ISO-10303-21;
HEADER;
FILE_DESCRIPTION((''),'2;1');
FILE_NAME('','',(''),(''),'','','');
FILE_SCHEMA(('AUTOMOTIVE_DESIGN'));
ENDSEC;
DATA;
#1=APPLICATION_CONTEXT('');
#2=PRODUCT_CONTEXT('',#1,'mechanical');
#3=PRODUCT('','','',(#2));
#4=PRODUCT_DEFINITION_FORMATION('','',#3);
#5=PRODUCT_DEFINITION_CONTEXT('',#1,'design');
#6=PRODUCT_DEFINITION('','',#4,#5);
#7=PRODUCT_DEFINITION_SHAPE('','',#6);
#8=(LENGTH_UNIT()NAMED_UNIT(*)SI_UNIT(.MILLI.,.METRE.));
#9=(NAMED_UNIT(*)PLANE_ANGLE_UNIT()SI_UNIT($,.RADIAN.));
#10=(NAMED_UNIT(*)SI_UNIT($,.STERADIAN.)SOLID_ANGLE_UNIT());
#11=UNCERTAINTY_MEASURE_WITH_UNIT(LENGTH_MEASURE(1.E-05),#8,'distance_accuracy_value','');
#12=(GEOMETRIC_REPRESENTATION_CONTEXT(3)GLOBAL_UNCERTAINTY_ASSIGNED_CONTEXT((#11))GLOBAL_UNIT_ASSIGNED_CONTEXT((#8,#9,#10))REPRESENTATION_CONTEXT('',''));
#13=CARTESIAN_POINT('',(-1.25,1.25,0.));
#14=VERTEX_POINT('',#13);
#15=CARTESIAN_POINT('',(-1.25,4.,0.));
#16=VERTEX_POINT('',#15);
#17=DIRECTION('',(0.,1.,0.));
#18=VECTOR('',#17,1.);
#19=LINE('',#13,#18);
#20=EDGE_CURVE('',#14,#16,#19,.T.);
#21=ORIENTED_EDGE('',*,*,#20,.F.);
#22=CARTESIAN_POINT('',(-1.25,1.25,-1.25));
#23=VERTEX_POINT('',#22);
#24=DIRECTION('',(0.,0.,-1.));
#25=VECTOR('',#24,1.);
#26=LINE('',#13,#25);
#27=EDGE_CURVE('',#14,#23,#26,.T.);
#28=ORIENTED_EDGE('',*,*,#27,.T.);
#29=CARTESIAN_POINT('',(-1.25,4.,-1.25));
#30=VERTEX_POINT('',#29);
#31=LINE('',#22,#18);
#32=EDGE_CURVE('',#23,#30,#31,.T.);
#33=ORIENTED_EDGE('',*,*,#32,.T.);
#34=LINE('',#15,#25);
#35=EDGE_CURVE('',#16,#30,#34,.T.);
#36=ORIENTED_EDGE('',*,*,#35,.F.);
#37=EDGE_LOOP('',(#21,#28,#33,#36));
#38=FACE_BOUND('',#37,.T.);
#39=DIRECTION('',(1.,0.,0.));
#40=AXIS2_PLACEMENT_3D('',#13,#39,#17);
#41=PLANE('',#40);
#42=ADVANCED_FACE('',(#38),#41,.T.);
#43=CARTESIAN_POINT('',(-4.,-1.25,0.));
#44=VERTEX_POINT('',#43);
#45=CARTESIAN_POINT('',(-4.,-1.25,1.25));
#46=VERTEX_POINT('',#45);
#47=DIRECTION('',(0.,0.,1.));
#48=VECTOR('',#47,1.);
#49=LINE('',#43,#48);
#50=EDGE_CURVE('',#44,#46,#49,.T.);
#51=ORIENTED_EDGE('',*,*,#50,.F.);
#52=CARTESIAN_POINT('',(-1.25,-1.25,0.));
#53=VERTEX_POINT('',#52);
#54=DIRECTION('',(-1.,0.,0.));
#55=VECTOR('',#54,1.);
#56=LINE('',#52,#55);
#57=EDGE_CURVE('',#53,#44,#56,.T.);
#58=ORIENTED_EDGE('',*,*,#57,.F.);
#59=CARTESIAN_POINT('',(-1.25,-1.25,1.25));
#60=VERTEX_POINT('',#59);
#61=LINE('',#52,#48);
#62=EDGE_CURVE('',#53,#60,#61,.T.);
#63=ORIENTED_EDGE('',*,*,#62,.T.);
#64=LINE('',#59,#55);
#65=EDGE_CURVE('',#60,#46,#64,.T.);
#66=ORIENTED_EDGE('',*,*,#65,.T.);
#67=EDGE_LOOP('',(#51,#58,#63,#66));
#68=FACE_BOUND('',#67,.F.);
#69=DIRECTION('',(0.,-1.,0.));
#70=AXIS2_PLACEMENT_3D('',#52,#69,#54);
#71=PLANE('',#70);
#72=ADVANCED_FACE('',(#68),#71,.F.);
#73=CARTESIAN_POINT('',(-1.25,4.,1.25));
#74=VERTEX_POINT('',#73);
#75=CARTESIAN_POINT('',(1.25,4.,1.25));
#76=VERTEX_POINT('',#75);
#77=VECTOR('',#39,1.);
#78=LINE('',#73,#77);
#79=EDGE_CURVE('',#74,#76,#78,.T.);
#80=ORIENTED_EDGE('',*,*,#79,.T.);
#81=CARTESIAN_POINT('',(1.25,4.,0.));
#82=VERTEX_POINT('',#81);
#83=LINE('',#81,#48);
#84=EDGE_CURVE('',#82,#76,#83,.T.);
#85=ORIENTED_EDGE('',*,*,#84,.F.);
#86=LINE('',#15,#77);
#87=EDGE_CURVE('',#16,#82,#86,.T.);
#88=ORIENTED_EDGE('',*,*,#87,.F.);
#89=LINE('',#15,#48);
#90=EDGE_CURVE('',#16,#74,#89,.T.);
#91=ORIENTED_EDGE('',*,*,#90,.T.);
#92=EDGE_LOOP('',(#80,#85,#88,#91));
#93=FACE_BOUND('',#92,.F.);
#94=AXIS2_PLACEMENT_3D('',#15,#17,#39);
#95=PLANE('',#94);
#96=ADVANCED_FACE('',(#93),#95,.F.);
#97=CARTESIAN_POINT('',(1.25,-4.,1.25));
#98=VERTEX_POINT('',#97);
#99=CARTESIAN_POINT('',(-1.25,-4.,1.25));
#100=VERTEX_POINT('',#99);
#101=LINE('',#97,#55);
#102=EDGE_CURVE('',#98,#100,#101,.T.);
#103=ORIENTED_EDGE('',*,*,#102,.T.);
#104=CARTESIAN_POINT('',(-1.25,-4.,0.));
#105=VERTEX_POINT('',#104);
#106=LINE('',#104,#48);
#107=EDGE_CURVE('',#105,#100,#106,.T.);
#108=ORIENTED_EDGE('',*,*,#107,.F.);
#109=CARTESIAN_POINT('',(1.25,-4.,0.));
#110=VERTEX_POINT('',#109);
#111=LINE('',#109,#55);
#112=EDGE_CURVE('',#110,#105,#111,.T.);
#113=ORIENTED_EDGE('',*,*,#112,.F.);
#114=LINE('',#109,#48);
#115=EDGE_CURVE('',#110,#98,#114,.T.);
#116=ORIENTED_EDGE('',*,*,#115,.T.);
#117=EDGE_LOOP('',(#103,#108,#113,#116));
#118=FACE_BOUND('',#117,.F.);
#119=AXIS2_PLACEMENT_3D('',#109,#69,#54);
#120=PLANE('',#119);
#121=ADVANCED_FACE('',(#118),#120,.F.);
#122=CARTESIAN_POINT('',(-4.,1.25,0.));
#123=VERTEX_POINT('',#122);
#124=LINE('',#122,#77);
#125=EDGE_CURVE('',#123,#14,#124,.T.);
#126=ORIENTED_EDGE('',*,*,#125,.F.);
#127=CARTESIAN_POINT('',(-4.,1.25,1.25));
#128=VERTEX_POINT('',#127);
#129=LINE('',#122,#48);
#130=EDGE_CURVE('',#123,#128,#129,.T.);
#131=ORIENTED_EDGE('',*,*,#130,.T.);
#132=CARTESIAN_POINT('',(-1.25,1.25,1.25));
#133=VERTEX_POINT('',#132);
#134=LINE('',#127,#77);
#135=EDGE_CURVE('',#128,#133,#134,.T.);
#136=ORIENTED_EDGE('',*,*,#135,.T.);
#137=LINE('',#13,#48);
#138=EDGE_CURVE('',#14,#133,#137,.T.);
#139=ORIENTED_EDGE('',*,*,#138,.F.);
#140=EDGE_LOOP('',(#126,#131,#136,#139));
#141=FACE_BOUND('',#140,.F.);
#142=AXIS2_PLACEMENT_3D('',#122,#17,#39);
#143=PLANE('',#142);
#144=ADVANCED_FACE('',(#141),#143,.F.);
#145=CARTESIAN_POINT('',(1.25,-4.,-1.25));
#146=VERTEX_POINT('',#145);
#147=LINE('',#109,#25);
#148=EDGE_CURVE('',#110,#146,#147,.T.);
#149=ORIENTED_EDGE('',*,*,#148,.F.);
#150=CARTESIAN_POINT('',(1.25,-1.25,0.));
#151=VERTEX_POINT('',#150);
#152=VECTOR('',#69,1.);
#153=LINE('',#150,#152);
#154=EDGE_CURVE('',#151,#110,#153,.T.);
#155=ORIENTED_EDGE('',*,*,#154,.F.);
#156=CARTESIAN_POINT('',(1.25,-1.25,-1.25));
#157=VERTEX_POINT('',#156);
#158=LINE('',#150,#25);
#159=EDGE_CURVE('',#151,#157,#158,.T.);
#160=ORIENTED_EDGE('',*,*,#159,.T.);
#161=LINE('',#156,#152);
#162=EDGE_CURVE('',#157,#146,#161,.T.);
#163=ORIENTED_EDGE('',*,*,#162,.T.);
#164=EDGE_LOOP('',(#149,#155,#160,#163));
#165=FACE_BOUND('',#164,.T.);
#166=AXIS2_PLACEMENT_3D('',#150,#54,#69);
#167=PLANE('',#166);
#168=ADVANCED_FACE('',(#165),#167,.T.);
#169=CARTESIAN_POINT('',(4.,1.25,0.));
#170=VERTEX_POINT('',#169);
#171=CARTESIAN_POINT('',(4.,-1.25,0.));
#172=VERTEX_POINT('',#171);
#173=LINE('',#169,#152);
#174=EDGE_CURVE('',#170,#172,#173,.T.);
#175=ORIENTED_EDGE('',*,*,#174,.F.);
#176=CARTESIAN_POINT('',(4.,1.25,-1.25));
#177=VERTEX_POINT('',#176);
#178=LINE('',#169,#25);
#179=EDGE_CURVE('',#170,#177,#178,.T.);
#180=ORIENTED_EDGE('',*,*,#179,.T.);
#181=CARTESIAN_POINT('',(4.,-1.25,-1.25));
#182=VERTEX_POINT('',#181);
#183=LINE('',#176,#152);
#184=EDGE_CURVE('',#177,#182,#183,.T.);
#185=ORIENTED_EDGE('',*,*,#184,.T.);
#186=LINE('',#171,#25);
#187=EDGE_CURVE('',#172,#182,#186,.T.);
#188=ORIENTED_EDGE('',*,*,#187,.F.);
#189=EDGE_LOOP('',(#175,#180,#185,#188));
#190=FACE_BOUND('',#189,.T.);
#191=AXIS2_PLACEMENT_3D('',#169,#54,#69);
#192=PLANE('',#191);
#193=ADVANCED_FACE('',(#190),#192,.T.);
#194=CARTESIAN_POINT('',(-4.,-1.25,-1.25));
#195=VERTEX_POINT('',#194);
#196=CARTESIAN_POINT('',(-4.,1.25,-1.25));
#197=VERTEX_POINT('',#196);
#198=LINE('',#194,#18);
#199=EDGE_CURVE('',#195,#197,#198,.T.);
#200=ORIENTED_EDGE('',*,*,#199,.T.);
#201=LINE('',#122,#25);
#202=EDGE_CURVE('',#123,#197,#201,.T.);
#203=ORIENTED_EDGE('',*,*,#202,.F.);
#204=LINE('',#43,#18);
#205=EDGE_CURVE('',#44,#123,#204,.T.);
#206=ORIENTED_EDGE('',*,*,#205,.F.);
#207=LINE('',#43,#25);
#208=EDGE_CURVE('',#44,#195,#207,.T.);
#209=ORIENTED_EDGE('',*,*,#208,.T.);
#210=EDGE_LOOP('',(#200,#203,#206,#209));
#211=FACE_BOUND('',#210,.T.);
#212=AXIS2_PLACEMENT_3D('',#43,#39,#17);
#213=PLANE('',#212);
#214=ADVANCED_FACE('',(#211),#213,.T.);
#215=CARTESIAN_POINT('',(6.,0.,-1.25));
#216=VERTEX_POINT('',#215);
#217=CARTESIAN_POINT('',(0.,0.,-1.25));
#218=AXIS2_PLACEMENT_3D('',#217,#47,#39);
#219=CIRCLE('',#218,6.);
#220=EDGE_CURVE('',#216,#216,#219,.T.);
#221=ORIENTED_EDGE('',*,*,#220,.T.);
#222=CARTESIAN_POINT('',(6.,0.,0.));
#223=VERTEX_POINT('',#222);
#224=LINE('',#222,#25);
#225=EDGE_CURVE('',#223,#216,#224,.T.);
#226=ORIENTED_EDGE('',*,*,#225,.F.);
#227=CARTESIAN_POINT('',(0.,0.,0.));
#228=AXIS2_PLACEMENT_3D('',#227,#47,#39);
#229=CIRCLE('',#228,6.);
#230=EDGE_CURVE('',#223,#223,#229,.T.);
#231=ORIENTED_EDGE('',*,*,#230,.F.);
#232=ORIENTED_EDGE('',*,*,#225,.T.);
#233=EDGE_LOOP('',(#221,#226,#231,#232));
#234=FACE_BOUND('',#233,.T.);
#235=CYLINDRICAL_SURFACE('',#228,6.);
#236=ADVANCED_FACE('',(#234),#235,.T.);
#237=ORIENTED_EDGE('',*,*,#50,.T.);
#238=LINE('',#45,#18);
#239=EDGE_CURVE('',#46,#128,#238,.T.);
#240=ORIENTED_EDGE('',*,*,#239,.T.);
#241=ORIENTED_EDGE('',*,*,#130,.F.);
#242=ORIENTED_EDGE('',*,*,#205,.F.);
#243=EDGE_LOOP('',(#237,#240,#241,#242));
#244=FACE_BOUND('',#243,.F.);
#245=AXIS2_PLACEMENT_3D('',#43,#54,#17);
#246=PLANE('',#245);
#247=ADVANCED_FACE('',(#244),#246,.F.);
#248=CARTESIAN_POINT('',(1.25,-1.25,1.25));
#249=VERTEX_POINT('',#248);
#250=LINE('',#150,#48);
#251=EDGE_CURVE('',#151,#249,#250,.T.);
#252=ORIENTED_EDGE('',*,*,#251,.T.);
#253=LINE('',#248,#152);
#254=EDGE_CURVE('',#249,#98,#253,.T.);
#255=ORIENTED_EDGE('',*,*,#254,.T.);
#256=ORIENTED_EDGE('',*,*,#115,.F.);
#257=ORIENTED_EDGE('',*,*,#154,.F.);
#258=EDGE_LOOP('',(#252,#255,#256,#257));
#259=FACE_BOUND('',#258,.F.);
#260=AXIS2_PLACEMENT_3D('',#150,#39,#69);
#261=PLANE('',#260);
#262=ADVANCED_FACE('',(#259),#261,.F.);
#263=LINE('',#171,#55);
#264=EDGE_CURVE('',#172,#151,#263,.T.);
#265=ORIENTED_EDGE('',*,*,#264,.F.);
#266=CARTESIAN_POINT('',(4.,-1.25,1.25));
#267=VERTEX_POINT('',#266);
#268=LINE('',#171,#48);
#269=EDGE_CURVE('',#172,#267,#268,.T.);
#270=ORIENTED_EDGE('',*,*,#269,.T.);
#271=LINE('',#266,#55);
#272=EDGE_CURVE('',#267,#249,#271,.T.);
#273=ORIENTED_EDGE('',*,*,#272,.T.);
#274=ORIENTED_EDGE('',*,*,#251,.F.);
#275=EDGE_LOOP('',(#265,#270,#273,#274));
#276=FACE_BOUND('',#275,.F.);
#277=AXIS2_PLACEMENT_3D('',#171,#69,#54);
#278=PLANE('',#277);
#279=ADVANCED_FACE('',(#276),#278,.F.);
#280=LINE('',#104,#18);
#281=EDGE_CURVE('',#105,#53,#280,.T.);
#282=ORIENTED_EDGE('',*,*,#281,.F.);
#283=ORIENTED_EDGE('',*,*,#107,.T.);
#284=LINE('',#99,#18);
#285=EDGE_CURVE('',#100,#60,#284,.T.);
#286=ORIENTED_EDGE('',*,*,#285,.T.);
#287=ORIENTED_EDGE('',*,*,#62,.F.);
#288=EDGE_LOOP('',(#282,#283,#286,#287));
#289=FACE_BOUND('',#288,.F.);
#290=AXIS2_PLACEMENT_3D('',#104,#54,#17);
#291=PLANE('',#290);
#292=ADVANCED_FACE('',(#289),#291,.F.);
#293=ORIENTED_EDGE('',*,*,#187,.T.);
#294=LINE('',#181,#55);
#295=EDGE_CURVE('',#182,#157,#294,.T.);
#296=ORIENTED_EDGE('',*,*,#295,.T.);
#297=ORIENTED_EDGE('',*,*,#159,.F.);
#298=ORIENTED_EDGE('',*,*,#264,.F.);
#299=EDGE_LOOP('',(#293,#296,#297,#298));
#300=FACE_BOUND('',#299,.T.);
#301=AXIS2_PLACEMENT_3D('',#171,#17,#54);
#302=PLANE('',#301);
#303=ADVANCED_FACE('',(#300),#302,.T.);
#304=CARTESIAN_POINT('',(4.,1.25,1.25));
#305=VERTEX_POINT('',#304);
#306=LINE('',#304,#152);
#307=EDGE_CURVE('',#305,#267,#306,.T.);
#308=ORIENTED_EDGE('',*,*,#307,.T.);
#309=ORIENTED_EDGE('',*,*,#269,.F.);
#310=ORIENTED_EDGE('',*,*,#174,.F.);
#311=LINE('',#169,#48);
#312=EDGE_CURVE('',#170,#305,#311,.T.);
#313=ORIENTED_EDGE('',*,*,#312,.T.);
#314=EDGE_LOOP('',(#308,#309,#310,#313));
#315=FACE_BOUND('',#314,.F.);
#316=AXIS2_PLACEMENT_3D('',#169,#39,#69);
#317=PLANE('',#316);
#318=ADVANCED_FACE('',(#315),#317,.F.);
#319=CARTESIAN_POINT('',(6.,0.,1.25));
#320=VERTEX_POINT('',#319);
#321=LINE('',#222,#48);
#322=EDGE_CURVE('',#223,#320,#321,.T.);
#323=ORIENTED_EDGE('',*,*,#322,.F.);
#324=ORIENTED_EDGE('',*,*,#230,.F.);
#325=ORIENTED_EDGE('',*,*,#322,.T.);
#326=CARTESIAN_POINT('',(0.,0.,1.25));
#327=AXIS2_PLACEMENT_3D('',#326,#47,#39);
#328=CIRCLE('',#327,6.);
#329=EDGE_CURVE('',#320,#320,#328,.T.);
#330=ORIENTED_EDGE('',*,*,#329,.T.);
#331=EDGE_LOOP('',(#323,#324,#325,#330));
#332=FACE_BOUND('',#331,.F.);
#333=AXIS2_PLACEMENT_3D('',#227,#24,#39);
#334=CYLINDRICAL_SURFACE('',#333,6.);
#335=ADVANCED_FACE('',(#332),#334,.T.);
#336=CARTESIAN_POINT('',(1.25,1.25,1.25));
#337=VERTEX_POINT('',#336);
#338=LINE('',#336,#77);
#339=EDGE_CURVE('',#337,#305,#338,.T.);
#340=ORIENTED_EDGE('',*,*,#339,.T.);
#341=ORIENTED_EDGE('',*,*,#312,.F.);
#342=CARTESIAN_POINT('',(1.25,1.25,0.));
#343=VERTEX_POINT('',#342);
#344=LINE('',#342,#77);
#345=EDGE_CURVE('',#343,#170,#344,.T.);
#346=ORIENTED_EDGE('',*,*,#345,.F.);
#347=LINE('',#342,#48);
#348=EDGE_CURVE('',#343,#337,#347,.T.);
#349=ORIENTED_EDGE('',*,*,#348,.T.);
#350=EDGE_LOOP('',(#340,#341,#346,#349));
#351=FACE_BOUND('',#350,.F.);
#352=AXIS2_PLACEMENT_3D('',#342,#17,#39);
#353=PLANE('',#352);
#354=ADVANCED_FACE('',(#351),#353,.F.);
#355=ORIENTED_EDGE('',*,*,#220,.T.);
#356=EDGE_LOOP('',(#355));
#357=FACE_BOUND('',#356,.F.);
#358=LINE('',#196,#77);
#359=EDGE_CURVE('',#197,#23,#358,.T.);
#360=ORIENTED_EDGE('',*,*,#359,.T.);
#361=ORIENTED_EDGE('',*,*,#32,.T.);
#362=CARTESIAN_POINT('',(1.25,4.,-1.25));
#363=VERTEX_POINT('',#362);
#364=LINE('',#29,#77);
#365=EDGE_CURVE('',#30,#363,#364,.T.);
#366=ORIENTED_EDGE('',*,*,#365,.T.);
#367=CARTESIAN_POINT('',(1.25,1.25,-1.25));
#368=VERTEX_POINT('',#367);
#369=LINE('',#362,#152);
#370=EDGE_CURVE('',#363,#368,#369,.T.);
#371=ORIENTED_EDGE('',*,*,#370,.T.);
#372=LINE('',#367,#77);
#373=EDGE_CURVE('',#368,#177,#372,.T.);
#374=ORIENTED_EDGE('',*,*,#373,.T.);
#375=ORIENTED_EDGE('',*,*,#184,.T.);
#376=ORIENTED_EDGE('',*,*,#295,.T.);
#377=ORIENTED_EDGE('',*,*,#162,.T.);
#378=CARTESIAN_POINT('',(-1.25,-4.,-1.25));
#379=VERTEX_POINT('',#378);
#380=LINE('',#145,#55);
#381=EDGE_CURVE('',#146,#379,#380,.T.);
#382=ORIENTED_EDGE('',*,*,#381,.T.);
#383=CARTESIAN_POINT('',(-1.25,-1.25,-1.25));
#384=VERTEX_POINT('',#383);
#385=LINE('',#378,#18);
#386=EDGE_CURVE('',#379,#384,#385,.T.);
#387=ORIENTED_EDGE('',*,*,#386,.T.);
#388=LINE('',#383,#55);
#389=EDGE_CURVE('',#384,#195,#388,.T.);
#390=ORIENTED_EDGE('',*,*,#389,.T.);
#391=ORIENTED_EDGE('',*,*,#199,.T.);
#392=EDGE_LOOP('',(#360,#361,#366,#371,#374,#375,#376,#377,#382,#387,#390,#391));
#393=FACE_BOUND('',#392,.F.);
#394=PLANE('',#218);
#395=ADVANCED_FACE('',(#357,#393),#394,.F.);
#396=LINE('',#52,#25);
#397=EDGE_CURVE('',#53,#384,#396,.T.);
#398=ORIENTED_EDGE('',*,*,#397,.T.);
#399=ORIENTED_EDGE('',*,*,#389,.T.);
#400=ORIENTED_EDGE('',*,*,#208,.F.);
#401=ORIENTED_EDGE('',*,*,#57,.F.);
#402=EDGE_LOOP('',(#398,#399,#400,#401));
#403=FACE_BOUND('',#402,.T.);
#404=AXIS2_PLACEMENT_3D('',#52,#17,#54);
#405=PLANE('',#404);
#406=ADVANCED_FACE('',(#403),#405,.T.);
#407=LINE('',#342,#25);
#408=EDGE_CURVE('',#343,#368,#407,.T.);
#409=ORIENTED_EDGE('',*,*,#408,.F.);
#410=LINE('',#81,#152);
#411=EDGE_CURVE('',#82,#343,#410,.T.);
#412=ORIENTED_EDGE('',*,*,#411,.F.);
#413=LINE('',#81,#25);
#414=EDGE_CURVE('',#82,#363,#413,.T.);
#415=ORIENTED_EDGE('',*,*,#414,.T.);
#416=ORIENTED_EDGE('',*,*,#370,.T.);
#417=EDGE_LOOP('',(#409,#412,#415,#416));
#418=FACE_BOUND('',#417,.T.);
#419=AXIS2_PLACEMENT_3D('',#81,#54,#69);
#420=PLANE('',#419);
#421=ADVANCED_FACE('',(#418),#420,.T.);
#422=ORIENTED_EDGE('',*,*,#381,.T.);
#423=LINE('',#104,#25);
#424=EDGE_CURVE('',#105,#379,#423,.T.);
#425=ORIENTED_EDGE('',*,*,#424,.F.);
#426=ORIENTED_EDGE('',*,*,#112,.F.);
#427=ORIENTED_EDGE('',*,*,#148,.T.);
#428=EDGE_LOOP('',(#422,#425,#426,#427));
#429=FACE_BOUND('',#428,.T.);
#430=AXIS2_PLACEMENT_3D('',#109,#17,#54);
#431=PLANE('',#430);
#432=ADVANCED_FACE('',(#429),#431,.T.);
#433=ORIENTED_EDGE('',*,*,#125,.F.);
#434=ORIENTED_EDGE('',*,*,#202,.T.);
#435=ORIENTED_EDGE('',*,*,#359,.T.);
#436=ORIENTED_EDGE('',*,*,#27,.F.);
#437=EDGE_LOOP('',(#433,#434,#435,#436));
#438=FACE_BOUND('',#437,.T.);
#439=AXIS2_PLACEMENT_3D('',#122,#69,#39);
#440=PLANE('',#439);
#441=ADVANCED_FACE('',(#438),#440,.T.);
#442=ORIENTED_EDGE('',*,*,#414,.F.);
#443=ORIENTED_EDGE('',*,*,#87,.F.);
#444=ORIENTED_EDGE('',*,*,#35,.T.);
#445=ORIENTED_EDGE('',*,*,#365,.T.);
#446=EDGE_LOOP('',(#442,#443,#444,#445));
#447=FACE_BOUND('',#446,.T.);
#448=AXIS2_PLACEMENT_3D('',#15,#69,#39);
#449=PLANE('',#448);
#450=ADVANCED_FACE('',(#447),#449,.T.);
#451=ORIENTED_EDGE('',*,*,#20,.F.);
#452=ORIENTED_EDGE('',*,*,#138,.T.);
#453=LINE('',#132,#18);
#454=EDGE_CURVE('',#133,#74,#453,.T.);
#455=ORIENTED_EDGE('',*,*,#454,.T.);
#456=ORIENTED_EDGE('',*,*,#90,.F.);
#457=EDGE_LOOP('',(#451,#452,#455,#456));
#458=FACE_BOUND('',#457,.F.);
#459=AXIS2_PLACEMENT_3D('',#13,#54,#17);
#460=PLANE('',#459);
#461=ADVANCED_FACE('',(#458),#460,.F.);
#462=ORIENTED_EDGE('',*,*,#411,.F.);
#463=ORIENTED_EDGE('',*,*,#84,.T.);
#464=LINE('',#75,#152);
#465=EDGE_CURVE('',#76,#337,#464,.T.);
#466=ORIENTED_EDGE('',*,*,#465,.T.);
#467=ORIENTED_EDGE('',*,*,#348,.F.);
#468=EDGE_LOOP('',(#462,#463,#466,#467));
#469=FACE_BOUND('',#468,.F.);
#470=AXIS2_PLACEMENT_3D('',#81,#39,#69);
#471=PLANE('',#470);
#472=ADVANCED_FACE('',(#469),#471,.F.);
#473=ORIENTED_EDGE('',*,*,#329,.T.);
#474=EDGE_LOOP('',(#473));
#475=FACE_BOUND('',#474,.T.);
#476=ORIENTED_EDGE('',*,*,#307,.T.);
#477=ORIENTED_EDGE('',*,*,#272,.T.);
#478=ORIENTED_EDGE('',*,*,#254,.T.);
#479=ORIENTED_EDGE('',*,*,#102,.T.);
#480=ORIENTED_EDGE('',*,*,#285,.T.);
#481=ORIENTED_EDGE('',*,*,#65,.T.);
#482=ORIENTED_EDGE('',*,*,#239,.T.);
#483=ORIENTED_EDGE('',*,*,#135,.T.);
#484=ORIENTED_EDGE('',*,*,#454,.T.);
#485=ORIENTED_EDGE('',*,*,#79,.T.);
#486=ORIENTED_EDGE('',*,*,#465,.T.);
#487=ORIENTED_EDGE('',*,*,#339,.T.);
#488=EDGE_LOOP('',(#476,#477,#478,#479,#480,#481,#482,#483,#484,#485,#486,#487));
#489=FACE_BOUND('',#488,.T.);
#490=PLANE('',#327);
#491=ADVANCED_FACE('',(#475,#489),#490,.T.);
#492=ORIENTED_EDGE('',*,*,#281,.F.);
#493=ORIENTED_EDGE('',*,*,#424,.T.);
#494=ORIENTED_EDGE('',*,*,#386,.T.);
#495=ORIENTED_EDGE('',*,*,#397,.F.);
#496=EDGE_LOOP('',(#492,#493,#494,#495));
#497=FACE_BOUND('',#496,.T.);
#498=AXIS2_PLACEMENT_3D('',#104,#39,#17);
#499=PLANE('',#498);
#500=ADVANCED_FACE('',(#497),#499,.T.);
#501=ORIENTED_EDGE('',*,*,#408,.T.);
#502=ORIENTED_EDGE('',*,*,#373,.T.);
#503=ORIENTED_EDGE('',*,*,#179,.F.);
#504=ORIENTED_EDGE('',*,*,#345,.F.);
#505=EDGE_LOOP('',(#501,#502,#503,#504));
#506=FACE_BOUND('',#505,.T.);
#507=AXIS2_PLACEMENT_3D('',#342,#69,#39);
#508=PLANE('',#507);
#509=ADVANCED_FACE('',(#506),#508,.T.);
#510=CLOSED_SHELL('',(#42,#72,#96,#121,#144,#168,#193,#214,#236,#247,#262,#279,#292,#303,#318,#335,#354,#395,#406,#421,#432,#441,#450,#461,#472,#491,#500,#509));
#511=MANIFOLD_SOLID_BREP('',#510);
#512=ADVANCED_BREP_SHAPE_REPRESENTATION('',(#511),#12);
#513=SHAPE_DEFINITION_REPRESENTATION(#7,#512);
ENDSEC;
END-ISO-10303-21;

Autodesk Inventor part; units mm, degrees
ref_plane "YZ Plane" through (0, 0, 0) normal (1, 0, 0) x (0, 1, 0)
ref_plane "XZ Plane" through (0, 0, 0) normal (0, 1, 0) x (-1, 0, 0)
ref_plane "XY Plane" through (0, 0, 0) normal (0, 0, 1) x (1, 0, 0)
sketch "Sketch1" plane through (0, 0, 0) normal (0, 0, 1) x (1, 0, 0)
  circle A0 centre (0, 0) radius 6
  circle A1 centre (0, 0) radius 4.1908 construction
  line L0 (-1.25, 4) -> (1.25, 4)
  line L1 (1.25, -4) -> (-1.25, -4)
  line L2 (4, 1.25) -> (4, -1.25)
  line L3 (-4, -1.25) -> (-4, 1.25)
  line L4 (0, 2.7092) -> (0, -2.7092) construction
  line L5 (-2.0091, 0) -> (2.0091, 0) construction
  line L6 (-4, 1.25) -> (-1.25, 1.25)
  line L7 (1.25, 1.25) -> (4, 1.25)
  line L8 (4, -1.25) -> (1.25, -1.25)
  line L9 (-1.25, -1.25) -> (-4, -1.25)
  line L10 (-1.25, -4) -> (-1.25, -1.25)
  line L11 (-1.25, 1.25) -> (-1.25, 4)
  line L12 (1.25, 4) -> (1.25, 1.25)
  line L13 (1.25, -1.25) -> (1.25, -4)
  dimension "d1" = 8
  dimension "d2" = 8
  dimension "d3" = 2.5
  dimension "d4" = 2.5
  dimension "d7" = 12
extrude "Extrusion1" add sketch "Sketch1" along normal mid plane 2.5
properties part number "pitahaya6"
